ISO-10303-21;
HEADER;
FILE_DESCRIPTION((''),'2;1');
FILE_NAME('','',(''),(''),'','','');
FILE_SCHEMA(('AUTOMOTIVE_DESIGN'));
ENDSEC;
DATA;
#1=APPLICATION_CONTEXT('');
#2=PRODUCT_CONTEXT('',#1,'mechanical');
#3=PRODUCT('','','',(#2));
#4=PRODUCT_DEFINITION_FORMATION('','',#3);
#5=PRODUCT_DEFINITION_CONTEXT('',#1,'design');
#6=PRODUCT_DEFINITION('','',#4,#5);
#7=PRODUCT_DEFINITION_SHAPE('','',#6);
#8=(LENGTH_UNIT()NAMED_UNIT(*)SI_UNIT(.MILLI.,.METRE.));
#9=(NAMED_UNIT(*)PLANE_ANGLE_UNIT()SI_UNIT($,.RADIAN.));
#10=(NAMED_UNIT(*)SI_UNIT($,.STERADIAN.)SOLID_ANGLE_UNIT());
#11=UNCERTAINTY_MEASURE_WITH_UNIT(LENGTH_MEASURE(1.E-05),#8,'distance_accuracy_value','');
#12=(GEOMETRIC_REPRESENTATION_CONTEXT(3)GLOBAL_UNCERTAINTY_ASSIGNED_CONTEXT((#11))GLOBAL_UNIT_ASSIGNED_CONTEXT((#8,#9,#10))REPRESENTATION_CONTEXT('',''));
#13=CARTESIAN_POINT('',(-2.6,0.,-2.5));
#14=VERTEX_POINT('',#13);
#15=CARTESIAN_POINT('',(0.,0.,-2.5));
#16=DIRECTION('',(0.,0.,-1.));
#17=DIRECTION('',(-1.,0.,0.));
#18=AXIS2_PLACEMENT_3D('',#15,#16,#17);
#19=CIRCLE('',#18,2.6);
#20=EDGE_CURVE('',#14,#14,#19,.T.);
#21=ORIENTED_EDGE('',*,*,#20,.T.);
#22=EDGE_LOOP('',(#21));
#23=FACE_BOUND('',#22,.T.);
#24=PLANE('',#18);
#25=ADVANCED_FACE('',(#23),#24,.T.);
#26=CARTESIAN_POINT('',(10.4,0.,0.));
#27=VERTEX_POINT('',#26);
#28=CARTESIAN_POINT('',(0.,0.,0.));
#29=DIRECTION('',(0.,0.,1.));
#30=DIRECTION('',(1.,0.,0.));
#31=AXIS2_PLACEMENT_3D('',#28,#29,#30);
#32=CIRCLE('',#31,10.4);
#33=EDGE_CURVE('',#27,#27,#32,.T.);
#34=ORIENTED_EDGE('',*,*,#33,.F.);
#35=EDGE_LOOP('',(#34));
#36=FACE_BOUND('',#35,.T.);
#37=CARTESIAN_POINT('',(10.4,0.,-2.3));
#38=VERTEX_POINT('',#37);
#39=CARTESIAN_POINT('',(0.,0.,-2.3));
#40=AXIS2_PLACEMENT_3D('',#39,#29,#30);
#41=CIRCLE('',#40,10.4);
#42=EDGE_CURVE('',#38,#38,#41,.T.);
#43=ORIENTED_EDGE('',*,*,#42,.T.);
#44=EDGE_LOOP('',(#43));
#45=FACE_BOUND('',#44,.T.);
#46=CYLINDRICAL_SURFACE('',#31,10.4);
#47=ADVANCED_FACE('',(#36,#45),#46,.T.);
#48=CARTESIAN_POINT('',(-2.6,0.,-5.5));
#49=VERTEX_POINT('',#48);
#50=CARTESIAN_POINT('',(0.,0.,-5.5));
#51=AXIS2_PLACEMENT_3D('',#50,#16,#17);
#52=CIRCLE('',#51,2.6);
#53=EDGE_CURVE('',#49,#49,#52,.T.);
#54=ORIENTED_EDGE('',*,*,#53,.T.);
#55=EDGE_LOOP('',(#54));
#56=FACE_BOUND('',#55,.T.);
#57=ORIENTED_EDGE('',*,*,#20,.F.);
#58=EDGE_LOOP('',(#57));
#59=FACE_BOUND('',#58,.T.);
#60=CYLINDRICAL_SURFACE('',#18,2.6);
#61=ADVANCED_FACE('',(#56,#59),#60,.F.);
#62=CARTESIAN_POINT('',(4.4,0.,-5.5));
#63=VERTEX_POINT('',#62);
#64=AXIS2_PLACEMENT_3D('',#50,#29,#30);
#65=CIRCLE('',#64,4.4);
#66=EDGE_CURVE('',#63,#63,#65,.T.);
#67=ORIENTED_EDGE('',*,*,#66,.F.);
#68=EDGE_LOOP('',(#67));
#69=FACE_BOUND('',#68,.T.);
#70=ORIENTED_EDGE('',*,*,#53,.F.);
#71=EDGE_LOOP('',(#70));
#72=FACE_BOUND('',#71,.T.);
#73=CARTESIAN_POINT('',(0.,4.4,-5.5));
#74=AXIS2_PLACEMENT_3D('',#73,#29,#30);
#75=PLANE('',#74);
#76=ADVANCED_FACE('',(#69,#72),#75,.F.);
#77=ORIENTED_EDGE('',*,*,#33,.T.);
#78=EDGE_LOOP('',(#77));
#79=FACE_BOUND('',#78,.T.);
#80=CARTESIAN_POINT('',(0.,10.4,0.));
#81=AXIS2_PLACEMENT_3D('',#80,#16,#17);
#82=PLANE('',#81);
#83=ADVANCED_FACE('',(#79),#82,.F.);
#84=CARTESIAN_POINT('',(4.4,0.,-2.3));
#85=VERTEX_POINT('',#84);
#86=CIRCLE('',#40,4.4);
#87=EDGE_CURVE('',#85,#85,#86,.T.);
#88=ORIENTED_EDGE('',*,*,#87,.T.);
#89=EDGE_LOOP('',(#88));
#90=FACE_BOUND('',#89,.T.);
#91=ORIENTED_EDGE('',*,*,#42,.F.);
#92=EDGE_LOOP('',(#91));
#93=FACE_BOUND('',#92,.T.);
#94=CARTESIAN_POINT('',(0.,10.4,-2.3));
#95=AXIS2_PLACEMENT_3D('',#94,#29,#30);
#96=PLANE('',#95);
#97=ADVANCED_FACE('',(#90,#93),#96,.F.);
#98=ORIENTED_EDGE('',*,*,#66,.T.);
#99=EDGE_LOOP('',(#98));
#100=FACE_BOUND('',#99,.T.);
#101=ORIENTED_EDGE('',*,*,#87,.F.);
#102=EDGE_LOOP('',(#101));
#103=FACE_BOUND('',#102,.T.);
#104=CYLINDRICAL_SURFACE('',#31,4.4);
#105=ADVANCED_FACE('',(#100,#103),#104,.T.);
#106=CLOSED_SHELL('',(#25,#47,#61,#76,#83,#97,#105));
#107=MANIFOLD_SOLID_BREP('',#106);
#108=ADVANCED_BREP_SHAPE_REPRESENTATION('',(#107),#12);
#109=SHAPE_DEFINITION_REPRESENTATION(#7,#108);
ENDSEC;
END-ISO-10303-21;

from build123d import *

# Parameters (mm, degrees)
SKETCH_2_R          = 2.6
CUT_EXTRUDE_1_DEPTH = 3


with BuildPart() as part:
    # 草图1 → 旋转1 (revolve)
    with BuildSketch(Plane(origin=(0, 0, 0), x_dir=(0, 0, -1), z_dir=(1, 0, 0))):
        Polygon((0, 10.4), (2.3, 10.4), (2.3, 4.4), (5.5, 4.4), (5.5, 0), (0, 0), align=None)
    revolve(axis=Axis((0, 0, 0), (0, 0, -1)))

    # 草图2 → 切除-拉伸1 (cut)
    with BuildSketch(Plane(origin=(0, 0, -5.5), x_dir=(-1, 0, 0), z_dir=(0, 0, -1))):
        Circle(SKETCH_2_R)
    extrude(amount=-CUT_EXTRUDE_1_DEPTH, mode=Mode.SUBTRACT)


solid = part.part
